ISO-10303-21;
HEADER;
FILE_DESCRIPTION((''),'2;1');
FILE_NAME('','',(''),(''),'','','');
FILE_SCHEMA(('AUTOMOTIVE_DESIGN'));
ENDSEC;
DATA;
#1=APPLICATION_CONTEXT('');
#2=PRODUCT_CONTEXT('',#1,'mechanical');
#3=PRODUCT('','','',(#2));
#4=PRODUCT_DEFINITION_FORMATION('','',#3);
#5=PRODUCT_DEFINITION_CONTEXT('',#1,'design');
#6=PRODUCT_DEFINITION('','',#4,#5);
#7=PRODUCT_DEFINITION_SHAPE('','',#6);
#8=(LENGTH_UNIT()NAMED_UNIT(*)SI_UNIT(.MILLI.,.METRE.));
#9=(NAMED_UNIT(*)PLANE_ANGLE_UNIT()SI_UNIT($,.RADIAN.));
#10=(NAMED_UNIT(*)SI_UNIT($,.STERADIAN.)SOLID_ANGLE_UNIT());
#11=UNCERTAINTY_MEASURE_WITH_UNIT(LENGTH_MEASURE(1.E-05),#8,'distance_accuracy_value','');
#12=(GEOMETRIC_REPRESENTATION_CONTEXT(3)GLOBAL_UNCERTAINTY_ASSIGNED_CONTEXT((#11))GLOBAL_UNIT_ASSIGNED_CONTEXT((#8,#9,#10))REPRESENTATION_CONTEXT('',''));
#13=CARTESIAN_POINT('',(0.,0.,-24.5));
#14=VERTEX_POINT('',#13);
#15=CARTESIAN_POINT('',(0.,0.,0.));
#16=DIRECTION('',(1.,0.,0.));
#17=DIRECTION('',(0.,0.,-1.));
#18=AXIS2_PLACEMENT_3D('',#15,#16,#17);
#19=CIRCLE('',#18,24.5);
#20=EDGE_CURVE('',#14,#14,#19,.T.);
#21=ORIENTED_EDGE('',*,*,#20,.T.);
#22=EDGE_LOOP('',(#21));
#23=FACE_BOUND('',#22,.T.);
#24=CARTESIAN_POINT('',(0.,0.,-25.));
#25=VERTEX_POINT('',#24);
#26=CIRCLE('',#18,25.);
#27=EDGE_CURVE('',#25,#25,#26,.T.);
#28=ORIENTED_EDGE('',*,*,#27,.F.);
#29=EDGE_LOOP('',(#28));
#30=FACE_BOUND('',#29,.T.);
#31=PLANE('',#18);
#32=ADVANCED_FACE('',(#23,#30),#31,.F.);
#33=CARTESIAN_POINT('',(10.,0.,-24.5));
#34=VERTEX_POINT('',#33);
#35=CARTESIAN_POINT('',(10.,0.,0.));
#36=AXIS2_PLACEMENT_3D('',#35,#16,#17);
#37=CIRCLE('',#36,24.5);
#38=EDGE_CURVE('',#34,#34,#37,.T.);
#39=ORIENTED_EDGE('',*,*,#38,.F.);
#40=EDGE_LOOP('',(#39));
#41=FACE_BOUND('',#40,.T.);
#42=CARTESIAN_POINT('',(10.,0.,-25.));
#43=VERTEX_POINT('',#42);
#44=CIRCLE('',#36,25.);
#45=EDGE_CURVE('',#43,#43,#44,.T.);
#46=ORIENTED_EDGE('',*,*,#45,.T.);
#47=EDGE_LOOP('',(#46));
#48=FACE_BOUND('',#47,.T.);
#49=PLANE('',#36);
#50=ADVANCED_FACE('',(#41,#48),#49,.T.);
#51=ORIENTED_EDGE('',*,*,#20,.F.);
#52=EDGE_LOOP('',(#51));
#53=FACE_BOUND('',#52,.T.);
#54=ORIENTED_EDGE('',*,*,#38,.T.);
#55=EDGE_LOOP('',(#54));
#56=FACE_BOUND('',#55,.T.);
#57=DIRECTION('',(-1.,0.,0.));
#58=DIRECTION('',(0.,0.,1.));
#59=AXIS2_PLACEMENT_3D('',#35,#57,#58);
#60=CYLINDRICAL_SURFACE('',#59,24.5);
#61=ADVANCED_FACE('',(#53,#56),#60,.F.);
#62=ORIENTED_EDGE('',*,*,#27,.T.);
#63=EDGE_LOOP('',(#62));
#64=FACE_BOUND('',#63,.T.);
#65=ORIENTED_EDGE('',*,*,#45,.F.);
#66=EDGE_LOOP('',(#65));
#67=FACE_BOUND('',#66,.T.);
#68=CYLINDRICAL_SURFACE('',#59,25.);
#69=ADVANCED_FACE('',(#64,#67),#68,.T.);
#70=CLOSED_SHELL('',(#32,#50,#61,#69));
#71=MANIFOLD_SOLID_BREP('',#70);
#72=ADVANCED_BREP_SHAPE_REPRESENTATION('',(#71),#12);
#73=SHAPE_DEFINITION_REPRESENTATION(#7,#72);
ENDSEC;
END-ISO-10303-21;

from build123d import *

# Parameters (mm, degrees)
SKETCH1_R           = 25
SKETCH1_R_2         = 24.5
BOSS_EXTRUDE1_DEPTH = 10


with BuildPart() as part:
    # Sketch1 → Boss-Extrude1 (new body)
    with BuildSketch(Plane(origin=(0, 0, 0), x_dir=(0, 0, -1), z_dir=(1, 0, 0))):
        Circle(SKETCH1_R)
        Circle(SKETCH1_R_2, mode=Mode.SUBTRACT)
    extrude(amount=BOSS_EXTRUDE1_DEPTH)


solid = part.part
